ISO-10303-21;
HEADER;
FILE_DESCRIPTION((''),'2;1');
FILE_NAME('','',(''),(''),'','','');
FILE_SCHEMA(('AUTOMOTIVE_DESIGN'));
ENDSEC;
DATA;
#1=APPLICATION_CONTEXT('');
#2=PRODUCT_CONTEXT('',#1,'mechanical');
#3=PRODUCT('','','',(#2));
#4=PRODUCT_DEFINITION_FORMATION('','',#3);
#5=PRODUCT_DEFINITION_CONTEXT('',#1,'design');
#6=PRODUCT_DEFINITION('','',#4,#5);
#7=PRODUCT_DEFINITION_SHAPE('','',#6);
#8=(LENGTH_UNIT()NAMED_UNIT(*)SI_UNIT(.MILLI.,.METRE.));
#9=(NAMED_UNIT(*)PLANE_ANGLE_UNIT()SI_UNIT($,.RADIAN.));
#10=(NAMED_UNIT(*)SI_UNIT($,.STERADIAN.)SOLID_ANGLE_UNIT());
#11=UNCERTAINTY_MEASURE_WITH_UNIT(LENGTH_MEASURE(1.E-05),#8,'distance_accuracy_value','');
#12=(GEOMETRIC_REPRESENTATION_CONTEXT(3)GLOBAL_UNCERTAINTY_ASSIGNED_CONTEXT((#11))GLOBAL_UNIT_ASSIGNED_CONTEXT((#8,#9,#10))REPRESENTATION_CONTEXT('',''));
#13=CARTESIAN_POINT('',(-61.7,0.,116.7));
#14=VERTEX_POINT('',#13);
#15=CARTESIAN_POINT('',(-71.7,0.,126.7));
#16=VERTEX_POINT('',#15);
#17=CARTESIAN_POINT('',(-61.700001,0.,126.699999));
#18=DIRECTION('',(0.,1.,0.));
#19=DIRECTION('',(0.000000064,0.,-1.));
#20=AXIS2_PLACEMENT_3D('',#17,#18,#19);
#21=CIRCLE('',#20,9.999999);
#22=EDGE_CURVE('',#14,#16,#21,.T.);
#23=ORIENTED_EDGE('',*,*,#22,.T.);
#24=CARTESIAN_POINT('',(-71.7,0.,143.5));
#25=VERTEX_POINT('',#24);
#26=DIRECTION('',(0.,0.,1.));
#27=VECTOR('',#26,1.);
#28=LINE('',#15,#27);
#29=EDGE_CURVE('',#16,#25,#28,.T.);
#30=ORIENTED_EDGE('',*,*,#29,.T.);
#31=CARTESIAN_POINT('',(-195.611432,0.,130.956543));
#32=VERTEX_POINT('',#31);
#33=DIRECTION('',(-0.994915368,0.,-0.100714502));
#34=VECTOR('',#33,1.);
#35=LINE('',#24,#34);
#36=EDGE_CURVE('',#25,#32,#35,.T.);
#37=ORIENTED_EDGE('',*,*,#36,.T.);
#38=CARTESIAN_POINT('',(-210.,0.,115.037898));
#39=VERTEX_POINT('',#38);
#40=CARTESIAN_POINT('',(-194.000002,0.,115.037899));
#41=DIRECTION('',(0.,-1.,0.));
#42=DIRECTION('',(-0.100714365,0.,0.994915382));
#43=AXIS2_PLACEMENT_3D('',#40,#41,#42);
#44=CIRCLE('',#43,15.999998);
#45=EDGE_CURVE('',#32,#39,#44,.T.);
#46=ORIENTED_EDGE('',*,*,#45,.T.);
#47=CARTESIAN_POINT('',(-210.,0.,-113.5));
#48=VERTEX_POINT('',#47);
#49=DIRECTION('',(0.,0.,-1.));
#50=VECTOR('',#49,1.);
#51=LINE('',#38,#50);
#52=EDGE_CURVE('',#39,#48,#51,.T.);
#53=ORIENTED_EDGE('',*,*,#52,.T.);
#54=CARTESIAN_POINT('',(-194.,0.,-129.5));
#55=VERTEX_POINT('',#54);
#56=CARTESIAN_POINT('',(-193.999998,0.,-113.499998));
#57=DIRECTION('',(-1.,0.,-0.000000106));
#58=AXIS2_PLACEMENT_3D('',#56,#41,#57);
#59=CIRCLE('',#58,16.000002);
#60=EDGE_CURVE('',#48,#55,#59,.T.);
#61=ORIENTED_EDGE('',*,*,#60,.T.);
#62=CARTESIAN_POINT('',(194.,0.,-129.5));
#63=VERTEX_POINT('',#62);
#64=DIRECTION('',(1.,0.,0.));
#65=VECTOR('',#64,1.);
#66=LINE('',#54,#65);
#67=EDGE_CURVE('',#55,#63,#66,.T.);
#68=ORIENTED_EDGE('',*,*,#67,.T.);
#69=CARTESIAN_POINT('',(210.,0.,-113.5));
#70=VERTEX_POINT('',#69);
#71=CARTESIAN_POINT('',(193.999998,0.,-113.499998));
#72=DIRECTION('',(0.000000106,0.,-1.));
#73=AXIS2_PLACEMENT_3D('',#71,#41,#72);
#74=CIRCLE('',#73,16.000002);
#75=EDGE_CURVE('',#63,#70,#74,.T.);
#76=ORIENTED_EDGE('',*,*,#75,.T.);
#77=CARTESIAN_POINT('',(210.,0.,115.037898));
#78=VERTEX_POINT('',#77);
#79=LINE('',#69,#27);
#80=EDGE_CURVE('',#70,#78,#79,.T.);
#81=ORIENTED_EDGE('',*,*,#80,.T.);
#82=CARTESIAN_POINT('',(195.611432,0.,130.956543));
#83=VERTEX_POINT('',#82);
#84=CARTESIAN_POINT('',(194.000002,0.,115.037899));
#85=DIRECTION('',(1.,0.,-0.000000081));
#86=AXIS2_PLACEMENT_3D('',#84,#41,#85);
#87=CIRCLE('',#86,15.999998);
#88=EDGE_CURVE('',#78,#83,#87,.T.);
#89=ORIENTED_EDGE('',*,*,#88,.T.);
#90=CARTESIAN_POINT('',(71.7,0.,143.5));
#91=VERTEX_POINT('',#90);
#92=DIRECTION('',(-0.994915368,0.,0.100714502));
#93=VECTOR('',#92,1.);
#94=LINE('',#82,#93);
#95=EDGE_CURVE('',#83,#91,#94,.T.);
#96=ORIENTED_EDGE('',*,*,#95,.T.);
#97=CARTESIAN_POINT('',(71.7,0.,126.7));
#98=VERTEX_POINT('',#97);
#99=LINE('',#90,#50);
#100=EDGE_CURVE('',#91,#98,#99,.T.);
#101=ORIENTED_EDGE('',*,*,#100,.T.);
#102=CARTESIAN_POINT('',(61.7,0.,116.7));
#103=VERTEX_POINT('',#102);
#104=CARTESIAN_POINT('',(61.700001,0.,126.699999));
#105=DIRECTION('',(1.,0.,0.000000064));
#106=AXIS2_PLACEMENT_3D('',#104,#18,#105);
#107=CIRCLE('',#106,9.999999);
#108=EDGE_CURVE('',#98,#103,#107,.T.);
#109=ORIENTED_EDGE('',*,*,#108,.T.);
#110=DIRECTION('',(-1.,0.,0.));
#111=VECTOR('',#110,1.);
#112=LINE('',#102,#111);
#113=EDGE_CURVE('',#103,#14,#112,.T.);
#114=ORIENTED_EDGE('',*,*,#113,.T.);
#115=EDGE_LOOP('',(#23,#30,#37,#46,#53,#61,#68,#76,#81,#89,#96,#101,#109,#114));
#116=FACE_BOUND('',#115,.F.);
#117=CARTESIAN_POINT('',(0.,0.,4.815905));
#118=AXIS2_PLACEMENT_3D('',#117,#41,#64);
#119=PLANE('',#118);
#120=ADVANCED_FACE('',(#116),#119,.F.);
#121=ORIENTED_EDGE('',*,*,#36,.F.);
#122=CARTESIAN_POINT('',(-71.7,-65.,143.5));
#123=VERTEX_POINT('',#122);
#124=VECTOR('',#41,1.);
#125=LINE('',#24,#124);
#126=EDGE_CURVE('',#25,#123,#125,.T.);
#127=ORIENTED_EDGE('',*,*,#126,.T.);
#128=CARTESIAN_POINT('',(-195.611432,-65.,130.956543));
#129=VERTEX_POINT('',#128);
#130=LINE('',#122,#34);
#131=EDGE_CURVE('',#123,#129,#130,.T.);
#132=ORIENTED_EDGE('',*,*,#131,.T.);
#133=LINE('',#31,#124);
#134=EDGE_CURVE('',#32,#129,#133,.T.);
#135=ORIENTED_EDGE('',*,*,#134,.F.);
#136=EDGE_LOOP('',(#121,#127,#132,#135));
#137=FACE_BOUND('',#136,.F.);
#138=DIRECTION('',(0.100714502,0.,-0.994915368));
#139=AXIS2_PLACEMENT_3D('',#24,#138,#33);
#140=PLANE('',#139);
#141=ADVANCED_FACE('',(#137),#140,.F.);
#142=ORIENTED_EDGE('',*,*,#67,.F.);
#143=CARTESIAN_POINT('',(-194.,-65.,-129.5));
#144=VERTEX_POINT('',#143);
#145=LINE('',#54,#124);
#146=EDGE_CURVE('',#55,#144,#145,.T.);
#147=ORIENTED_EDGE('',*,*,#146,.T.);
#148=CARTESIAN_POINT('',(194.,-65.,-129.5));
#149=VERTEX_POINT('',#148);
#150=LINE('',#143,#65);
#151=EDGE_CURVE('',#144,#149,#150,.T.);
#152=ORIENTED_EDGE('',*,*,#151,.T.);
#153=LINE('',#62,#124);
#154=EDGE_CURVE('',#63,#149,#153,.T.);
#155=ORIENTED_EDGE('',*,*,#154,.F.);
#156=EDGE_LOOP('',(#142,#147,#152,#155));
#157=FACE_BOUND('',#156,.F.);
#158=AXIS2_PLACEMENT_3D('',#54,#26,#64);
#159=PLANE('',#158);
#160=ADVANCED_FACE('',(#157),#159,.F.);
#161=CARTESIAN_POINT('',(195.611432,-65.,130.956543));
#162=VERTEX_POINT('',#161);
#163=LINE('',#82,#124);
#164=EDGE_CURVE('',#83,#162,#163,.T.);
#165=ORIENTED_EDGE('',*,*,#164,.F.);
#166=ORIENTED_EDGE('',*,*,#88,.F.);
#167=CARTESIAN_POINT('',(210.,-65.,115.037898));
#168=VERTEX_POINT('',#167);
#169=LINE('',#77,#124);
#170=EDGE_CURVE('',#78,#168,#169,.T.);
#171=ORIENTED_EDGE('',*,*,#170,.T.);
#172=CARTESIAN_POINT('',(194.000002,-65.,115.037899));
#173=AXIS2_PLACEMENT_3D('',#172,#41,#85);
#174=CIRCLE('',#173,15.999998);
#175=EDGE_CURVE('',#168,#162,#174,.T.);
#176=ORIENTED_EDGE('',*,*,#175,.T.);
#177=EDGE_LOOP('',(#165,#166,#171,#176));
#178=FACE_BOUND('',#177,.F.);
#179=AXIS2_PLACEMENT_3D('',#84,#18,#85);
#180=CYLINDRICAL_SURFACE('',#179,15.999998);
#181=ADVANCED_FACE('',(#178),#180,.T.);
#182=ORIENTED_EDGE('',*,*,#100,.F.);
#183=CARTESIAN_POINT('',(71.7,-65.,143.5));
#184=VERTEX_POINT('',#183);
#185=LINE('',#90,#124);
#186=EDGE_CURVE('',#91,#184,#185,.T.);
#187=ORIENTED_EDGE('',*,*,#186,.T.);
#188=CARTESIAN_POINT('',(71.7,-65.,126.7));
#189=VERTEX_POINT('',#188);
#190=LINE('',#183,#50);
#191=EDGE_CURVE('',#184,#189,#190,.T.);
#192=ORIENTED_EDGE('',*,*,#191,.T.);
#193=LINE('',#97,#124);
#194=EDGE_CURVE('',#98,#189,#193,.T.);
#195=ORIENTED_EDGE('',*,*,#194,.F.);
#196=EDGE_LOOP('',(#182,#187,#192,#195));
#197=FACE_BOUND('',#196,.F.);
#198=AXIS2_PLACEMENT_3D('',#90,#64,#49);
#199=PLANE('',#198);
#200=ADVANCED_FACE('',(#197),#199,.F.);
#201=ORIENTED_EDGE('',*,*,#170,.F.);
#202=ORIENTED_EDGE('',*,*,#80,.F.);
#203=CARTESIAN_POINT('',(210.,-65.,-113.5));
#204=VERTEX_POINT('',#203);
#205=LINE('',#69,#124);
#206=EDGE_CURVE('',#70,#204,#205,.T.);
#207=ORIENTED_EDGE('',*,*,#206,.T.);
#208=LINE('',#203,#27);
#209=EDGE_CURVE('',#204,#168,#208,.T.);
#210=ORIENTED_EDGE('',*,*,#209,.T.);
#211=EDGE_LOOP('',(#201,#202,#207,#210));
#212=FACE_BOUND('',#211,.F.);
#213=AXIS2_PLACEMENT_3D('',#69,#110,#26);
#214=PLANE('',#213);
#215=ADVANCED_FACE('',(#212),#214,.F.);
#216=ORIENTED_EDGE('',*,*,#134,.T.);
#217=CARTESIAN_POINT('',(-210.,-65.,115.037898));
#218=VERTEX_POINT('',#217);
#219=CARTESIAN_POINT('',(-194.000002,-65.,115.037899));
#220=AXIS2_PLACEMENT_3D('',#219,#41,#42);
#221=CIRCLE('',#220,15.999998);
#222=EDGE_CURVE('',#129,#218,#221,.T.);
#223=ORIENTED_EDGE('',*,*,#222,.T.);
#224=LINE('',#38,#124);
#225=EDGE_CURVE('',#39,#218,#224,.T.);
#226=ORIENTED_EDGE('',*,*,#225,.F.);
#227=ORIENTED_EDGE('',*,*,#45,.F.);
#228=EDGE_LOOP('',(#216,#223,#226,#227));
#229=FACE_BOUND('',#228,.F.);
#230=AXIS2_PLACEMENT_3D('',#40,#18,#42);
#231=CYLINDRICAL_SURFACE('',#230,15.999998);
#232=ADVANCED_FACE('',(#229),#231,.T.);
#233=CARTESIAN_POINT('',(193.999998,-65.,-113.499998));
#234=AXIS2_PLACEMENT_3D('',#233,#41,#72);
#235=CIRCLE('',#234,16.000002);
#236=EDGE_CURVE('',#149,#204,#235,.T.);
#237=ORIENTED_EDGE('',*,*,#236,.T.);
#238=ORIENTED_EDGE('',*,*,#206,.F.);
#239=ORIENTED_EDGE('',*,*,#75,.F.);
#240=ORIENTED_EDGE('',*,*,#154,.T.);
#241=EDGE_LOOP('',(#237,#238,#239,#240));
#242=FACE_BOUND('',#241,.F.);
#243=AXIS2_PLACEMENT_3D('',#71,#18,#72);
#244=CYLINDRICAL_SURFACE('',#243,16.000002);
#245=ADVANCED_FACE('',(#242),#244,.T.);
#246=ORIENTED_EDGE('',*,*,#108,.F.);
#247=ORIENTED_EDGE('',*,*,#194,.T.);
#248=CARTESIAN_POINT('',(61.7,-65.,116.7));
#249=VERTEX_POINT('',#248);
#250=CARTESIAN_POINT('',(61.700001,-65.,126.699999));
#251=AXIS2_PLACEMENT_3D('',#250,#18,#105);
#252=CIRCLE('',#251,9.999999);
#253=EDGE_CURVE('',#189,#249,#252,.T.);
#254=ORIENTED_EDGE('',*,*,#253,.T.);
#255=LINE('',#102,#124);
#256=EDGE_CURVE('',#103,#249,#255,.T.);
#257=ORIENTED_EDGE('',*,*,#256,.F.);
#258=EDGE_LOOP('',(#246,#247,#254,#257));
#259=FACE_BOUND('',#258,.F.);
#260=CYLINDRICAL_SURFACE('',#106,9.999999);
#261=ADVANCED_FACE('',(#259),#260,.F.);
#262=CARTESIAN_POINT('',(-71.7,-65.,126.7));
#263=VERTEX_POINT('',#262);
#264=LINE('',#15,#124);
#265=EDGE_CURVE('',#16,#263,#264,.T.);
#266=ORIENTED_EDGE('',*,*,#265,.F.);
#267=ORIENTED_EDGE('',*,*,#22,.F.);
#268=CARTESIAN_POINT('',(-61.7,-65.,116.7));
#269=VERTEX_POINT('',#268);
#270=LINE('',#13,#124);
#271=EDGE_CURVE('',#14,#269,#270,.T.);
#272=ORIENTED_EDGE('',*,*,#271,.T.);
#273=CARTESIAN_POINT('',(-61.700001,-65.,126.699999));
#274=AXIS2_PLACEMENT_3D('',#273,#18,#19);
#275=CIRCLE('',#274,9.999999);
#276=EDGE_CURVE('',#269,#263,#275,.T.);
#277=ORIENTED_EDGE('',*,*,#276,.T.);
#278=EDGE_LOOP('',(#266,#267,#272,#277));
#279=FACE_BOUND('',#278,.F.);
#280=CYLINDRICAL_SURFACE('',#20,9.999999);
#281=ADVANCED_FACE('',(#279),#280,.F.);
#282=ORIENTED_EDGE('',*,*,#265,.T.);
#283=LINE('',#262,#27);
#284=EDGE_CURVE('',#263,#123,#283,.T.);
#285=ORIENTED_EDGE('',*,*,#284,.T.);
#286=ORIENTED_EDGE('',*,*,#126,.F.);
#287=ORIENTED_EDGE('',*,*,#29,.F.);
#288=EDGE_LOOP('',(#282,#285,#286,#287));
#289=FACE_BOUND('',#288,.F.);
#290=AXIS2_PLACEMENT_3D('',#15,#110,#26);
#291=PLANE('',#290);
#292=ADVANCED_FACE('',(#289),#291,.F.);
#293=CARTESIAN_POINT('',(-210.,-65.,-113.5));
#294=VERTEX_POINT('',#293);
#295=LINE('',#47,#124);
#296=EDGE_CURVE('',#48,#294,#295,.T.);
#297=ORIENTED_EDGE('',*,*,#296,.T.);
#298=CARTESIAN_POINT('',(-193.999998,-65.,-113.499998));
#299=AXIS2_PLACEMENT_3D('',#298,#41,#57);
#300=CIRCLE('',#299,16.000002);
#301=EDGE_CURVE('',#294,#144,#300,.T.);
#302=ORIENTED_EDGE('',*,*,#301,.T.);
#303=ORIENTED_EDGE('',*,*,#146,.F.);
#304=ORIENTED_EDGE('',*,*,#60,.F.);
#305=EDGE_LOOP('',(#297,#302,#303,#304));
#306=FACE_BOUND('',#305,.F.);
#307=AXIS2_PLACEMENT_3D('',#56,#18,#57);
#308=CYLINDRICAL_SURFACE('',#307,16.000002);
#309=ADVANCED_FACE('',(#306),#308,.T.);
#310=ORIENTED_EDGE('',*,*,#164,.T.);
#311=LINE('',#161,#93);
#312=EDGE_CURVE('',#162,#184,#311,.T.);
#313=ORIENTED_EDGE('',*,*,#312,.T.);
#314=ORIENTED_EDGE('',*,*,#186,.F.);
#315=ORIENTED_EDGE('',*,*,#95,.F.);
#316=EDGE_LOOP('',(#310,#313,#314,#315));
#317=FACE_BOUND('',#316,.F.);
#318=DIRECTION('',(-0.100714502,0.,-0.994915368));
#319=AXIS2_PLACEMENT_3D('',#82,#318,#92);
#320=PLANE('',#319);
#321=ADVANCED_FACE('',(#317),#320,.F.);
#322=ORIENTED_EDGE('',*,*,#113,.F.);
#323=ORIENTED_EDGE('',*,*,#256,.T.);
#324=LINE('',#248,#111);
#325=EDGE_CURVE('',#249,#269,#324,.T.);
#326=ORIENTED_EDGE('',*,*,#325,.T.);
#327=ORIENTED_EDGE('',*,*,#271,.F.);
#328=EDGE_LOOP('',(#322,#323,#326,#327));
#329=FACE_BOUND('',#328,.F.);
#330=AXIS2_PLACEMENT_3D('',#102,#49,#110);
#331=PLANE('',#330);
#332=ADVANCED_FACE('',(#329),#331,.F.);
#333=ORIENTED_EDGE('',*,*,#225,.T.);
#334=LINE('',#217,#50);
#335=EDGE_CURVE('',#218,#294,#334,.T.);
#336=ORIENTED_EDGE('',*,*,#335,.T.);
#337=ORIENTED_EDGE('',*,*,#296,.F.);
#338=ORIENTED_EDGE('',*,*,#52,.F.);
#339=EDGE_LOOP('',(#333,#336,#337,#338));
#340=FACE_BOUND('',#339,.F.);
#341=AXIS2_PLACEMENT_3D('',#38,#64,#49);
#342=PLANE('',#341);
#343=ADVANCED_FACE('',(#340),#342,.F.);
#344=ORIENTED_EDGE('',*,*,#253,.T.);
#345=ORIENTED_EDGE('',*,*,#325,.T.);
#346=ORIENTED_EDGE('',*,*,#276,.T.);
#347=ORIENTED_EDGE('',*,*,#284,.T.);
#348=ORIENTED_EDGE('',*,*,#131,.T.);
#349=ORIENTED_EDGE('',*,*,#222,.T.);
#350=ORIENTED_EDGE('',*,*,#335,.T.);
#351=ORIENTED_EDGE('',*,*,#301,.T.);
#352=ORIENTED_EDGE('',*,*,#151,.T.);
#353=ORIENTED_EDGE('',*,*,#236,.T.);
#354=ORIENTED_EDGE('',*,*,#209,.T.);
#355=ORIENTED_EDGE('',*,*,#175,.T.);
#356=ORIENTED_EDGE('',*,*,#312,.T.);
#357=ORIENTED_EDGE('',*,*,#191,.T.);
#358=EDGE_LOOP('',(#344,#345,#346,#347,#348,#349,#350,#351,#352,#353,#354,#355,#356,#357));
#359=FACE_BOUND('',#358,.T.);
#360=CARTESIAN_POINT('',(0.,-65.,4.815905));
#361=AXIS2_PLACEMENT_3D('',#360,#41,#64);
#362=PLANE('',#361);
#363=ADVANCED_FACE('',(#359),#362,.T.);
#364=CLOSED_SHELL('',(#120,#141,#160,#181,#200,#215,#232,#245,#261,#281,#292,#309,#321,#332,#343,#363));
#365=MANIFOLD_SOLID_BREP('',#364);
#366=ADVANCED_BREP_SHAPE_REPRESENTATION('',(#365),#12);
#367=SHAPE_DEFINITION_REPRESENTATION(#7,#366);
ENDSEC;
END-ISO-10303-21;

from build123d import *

# Parameters (mm, degrees)
F1_DEPTH = 65


with BuildPart() as f1:
    # F0 (on Front) → F1 (new body)
    with BuildSketch(Plane.XZ):
        with BuildLine():
            Line((-194, -129.5), (0, -129.5))
            Line((0, -129.5), (194, -129.5))
            ThreePointArc((194, -129.5), (205.313708, -124.813708), (210, -113.5))
            Line((210, -113.5), (210, 115.037898))
            ThreePointArc((210, 115.037898), (205.869771, 125.766763), (195.611432, 130.956543))
            Line((195.611432, 130.956543), (71.7, 143.5))
            Line((71.7, 143.5), (71.7, 126.7))
            ThreePointArc((71.7, 126.7), (68.771068, 119.628932), (61.7, 116.7))
            Line((61.7, 116.7), (0, 116.7))
            Line((0, 116.7), (-61.7, 116.7))
            ThreePointArc((-61.7, 116.7), (-68.771068, 119.628932), (-71.7, 126.7))
            Line((-71.7, 126.7), (-71.7, 143.5))
            Line((-71.7, 143.5), (-195.611432, 130.956543))
            ThreePointArc((-195.611432, 130.956543), (-205.869771, 125.766763), (-210, 115.037898))
            Line((-210, 115.037898), (-210, -113.5))
            ThreePointArc((-210, -113.5), (-205.313708, -124.813708), (-194, -129.5))
        make_face()
    extrude(amount=F1_DEPTH)


solid = f1.part
